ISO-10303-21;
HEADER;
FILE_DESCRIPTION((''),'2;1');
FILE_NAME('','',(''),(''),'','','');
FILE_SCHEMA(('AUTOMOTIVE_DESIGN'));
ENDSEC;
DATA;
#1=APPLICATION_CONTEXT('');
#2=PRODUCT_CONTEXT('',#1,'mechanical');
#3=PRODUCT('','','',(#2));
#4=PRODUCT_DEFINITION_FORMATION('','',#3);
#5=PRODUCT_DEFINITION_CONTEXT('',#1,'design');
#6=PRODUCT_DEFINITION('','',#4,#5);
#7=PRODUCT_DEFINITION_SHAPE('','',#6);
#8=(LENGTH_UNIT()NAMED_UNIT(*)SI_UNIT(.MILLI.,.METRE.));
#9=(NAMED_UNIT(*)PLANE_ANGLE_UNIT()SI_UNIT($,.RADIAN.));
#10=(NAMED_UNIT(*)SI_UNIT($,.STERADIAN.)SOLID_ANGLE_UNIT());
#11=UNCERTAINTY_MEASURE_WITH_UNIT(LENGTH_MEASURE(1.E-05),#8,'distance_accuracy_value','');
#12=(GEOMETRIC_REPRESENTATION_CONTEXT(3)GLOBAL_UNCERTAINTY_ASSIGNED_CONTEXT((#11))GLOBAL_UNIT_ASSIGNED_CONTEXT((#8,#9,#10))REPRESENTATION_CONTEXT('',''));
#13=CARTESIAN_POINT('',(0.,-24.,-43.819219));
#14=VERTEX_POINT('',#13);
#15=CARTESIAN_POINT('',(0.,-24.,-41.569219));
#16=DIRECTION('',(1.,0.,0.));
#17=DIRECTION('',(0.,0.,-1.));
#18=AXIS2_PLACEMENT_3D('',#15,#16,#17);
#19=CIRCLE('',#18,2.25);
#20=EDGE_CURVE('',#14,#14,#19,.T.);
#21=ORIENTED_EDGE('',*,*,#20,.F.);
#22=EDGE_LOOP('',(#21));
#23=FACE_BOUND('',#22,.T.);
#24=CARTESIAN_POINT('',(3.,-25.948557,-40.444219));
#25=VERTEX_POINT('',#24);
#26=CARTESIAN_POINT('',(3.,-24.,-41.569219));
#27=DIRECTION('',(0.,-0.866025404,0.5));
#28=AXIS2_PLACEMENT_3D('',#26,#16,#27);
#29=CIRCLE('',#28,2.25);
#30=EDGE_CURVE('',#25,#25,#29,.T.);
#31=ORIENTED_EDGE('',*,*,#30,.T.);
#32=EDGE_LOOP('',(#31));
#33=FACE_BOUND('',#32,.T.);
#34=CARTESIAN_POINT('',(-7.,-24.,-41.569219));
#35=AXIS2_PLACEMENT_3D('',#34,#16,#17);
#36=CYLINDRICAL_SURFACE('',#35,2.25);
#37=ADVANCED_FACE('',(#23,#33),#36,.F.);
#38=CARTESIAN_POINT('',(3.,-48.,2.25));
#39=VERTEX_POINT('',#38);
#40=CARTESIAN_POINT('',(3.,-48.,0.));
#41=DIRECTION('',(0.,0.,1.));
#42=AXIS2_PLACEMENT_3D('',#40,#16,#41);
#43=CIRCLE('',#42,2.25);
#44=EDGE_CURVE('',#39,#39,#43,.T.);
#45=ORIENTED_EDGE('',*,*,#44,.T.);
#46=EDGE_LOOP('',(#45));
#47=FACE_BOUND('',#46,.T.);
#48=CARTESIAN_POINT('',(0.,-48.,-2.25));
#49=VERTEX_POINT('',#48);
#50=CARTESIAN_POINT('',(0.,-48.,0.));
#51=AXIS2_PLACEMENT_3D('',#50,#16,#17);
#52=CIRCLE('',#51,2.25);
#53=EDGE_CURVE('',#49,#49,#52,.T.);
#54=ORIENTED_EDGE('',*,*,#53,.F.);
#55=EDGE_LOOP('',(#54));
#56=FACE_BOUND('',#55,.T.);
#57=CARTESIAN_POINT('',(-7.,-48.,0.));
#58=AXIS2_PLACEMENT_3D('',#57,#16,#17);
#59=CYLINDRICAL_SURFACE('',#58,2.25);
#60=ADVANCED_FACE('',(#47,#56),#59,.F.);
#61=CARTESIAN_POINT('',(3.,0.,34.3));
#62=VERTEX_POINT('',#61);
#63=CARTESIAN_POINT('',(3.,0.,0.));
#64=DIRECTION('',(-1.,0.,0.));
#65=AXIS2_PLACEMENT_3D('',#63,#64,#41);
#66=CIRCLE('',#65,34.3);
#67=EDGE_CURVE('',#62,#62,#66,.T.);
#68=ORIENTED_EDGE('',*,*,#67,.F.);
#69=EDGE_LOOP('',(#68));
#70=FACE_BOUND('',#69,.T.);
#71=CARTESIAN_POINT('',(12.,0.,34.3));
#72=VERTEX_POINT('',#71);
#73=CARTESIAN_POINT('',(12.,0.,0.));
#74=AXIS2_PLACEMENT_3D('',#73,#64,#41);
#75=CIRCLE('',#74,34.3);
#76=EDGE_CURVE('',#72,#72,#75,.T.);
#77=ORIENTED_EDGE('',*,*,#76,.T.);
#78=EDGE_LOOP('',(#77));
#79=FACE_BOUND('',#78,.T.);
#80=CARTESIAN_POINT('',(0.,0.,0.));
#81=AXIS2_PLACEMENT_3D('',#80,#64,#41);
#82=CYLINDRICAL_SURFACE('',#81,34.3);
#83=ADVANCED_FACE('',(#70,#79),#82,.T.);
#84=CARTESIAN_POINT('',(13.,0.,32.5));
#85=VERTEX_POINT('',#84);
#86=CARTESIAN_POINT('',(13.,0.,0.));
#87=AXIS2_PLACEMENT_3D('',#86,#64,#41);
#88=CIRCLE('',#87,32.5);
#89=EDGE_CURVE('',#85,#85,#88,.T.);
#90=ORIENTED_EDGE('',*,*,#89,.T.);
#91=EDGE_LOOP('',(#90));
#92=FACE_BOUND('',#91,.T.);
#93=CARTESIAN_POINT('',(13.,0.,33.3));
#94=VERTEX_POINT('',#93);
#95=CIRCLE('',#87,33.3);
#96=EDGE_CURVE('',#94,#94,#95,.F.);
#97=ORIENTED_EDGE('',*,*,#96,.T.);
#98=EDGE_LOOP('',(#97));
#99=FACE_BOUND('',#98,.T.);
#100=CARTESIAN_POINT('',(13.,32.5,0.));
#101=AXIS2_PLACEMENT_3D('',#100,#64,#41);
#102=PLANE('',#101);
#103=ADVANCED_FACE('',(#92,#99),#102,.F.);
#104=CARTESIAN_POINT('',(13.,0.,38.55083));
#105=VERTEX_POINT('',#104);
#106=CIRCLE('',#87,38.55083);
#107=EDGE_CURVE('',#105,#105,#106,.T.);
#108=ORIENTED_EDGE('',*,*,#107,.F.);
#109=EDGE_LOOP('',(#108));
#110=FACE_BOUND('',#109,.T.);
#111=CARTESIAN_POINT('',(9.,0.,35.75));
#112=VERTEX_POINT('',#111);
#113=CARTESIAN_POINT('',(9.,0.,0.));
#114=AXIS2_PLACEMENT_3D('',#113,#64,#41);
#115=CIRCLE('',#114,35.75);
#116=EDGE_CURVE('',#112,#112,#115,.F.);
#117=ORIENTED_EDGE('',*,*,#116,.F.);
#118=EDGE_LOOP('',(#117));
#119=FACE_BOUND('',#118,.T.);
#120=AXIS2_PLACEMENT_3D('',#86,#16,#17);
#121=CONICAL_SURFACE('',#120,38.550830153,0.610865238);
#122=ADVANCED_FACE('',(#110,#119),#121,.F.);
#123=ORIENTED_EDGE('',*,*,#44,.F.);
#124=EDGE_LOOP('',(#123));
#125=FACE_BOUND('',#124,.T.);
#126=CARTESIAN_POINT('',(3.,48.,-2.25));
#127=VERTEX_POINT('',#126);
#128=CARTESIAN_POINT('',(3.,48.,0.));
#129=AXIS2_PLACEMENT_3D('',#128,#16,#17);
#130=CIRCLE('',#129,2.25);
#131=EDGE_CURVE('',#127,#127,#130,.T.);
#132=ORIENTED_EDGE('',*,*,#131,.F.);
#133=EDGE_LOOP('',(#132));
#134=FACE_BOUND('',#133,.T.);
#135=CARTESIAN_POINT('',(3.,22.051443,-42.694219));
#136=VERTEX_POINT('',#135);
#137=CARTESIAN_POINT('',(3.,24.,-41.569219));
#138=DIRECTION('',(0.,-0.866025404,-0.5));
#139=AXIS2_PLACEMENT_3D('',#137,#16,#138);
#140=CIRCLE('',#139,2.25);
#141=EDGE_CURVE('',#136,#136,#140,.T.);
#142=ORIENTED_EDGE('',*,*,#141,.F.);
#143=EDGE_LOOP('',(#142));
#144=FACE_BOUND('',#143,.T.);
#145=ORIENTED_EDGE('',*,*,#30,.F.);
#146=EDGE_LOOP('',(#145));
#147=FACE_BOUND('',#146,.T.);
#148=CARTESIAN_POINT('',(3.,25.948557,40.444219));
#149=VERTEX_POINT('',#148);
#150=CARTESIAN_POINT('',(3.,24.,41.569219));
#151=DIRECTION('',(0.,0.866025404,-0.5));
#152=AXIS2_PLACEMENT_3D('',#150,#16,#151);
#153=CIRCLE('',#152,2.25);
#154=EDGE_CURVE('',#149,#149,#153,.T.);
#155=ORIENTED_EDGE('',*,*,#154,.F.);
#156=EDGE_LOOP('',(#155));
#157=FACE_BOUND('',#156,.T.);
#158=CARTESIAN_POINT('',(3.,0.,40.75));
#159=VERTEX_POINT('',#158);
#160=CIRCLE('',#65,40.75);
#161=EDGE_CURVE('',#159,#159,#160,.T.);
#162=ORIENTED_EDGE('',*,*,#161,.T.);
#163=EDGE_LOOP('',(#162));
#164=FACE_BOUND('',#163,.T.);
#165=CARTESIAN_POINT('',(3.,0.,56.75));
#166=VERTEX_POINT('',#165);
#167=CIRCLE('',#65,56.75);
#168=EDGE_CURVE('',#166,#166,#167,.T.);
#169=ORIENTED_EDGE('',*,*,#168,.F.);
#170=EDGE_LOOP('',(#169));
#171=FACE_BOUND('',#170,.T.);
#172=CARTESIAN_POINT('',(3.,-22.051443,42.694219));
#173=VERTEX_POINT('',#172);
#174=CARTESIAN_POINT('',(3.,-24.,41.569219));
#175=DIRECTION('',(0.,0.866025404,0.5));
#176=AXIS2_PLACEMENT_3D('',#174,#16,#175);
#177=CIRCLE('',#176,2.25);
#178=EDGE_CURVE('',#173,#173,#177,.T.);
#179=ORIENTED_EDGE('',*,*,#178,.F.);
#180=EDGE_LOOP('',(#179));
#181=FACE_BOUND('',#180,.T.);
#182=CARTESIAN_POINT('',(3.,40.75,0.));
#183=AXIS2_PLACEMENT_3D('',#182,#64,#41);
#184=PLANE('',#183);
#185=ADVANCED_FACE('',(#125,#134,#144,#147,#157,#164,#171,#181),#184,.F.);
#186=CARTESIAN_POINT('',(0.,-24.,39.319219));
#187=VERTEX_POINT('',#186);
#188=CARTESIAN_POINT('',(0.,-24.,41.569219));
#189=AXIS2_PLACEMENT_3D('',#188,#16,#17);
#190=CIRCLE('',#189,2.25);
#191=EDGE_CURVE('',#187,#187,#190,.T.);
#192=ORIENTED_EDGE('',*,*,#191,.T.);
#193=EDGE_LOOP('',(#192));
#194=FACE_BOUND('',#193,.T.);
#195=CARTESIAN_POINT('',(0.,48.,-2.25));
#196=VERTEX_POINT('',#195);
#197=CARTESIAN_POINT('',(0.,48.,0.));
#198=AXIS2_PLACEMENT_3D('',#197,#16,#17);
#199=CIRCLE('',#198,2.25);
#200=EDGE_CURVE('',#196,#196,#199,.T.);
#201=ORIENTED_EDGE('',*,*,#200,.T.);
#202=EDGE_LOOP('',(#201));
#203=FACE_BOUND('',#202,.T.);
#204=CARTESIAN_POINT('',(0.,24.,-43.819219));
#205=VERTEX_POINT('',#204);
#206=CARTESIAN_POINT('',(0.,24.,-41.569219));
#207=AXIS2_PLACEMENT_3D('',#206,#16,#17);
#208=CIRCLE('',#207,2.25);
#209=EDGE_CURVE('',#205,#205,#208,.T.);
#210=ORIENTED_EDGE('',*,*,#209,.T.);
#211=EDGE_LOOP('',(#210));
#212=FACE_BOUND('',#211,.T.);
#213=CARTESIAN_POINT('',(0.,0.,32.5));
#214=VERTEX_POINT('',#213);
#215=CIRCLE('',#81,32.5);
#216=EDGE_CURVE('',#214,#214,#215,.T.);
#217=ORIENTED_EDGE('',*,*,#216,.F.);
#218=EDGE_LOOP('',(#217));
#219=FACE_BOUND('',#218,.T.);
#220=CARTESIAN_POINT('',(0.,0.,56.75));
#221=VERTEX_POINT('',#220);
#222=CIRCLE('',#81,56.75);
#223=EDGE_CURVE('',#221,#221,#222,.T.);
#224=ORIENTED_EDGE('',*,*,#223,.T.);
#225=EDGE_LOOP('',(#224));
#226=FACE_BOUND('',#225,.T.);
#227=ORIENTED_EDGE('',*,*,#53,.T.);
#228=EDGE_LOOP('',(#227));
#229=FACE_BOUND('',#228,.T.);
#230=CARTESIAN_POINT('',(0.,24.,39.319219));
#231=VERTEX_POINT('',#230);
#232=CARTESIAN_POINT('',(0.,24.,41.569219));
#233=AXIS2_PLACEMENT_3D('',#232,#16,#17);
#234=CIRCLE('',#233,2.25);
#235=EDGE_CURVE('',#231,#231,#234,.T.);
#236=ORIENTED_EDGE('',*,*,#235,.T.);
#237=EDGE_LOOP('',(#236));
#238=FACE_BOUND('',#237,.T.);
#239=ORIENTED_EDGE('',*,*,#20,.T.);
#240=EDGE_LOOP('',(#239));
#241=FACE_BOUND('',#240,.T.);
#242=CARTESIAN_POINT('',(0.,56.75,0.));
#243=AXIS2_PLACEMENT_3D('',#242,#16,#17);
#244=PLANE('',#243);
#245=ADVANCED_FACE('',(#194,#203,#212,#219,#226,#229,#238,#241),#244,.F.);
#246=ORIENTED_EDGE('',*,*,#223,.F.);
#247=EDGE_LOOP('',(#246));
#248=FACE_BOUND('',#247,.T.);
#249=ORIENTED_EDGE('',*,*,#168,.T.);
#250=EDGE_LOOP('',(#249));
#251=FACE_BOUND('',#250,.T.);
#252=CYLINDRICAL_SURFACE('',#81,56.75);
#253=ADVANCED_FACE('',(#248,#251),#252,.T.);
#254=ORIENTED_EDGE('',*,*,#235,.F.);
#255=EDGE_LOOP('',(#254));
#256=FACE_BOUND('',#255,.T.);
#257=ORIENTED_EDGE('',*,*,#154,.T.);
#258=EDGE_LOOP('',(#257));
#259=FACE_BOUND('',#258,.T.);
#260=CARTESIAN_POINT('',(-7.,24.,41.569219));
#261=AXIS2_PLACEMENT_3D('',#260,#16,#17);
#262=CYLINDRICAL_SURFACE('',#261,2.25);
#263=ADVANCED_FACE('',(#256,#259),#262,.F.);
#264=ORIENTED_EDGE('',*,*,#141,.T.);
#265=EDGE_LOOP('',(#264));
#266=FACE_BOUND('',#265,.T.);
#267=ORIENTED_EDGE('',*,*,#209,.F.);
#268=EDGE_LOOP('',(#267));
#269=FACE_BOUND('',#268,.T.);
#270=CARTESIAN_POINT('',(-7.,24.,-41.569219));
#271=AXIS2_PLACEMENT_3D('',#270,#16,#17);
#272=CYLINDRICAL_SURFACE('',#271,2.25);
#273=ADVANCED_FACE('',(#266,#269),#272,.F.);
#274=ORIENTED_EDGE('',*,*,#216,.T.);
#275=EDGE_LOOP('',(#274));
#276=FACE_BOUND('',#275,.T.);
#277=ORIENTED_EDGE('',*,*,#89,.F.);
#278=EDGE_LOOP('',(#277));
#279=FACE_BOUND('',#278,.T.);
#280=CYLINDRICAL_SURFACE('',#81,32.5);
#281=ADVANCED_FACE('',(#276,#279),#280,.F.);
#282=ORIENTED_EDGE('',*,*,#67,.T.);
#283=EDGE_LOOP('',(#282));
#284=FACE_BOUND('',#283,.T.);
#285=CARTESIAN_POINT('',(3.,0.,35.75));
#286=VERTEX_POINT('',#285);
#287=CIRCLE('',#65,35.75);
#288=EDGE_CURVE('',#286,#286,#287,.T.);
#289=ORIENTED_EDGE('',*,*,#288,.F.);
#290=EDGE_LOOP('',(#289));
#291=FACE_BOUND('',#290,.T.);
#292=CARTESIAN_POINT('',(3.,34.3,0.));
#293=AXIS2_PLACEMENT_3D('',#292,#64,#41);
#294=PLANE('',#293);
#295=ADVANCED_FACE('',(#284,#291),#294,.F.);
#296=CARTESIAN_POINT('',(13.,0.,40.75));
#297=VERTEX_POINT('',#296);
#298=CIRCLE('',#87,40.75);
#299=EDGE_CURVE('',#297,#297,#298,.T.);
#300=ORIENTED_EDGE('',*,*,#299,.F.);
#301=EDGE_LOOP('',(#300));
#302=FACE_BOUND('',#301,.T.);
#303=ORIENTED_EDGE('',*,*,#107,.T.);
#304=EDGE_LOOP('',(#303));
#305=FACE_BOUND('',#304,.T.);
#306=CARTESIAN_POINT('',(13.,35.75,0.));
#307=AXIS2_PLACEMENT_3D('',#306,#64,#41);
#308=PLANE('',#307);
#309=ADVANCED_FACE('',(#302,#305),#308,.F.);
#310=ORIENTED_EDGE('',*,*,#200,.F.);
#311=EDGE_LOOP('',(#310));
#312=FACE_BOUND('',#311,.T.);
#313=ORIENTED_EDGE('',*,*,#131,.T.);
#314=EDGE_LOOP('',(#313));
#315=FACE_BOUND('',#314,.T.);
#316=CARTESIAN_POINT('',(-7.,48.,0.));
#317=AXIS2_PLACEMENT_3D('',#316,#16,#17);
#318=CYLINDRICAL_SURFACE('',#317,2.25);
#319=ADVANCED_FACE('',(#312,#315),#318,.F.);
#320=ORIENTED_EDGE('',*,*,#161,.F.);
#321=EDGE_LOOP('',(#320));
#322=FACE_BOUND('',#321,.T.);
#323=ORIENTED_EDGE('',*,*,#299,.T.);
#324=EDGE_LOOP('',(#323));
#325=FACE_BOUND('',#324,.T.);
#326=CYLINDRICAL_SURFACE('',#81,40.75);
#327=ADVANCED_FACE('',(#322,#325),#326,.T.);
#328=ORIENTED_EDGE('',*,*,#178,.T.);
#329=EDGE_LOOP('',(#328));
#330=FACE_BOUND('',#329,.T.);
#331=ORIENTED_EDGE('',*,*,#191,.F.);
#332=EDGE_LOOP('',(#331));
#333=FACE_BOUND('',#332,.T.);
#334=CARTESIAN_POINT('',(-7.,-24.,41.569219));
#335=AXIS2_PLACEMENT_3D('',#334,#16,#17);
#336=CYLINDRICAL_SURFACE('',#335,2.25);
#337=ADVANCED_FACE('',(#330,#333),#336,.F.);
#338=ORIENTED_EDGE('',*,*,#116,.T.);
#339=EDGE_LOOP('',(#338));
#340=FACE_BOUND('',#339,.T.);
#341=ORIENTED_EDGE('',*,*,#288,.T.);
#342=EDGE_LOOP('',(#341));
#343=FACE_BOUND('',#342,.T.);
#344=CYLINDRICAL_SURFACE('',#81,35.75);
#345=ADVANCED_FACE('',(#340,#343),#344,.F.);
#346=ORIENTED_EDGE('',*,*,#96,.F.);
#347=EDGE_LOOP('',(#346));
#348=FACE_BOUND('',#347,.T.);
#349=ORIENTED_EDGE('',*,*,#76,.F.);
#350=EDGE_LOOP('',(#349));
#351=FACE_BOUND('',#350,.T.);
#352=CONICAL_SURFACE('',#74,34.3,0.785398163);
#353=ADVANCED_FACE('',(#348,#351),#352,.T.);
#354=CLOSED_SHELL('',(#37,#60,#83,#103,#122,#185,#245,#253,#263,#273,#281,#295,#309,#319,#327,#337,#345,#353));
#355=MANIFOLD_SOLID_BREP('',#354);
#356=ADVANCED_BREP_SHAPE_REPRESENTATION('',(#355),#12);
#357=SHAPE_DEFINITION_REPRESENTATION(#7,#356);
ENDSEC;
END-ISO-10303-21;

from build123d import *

# Parameters (mm, degrees)
CHAMFER1_SIZE      = 4
CHAMFER1_SIZE2     = 2.800830153
CHAMFER2_SIZE      = 1
SKETCH2_R          = 2.25
CUT_EXTRUDE1_DEPTH = 10
CIRPATTERN1_COUNT  = 6


with BuildPart() as part:
    # Sketch1 → Revolve1 (revolve)
    with BuildSketch(Plane.XY):
        Polygon((0, 32.5), (13, 32.5), (13, 34.3), (3, 34.3), (3, 35.75), (13, 35.75), (13, 40.75), (3, 40.75), (3, 56.75), (0, 56.75), align=None)
    revolve(axis=Axis((0, 0, 0), (1, 0, 0)))

    # Chamfer1
    chamfer1_edges = [part.edges().sort_by_distance(p)[0] for p in [
        (13, -35.75, 0),
    ]]
    chamfer1_side = [part.faces().sort_by_distance(p)[0] for p in [
        (8, -35.75, 0),
    ]]
    chamfer(chamfer1_edges, length=CHAMFER1_SIZE, length2=CHAMFER1_SIZE2, reference=chamfer1_side[0])

    # Chamfer2
    chamfer2_edges = [part.edges().sort_by_distance(p)[0] for p in [
        (13, -34.3, 0),
    ]]
    chamfer(chamfer2_edges, length=CHAMFER2_SIZE)

    # Sketch2 → Cut-Extrude1 (cut)
    with BuildSketch(Plane(origin=(3, 0, 0), x_dir=(0, 0, -1), z_dir=(1, 0, 0))):
        with Locations((0, 48)):
            Circle(SKETCH2_R)
    cut_extrude1 = extrude(amount=-CUT_EXTRUDE1_DEPTH, mode=Mode.SUBTRACT)

    # CirPattern1: Cut-Extrude1 ×6 about axis
    cirpattern1_axis = Axis((0, 0, 0), (1, 0, 0))
    for i in range(1, CIRPATTERN1_COUNT):
        add(cut_extrude1.rotate(cirpattern1_axis, i * 360 / CIRPATTERN1_COUNT), mode=Mode.SUBTRACT)


solid = part.part
